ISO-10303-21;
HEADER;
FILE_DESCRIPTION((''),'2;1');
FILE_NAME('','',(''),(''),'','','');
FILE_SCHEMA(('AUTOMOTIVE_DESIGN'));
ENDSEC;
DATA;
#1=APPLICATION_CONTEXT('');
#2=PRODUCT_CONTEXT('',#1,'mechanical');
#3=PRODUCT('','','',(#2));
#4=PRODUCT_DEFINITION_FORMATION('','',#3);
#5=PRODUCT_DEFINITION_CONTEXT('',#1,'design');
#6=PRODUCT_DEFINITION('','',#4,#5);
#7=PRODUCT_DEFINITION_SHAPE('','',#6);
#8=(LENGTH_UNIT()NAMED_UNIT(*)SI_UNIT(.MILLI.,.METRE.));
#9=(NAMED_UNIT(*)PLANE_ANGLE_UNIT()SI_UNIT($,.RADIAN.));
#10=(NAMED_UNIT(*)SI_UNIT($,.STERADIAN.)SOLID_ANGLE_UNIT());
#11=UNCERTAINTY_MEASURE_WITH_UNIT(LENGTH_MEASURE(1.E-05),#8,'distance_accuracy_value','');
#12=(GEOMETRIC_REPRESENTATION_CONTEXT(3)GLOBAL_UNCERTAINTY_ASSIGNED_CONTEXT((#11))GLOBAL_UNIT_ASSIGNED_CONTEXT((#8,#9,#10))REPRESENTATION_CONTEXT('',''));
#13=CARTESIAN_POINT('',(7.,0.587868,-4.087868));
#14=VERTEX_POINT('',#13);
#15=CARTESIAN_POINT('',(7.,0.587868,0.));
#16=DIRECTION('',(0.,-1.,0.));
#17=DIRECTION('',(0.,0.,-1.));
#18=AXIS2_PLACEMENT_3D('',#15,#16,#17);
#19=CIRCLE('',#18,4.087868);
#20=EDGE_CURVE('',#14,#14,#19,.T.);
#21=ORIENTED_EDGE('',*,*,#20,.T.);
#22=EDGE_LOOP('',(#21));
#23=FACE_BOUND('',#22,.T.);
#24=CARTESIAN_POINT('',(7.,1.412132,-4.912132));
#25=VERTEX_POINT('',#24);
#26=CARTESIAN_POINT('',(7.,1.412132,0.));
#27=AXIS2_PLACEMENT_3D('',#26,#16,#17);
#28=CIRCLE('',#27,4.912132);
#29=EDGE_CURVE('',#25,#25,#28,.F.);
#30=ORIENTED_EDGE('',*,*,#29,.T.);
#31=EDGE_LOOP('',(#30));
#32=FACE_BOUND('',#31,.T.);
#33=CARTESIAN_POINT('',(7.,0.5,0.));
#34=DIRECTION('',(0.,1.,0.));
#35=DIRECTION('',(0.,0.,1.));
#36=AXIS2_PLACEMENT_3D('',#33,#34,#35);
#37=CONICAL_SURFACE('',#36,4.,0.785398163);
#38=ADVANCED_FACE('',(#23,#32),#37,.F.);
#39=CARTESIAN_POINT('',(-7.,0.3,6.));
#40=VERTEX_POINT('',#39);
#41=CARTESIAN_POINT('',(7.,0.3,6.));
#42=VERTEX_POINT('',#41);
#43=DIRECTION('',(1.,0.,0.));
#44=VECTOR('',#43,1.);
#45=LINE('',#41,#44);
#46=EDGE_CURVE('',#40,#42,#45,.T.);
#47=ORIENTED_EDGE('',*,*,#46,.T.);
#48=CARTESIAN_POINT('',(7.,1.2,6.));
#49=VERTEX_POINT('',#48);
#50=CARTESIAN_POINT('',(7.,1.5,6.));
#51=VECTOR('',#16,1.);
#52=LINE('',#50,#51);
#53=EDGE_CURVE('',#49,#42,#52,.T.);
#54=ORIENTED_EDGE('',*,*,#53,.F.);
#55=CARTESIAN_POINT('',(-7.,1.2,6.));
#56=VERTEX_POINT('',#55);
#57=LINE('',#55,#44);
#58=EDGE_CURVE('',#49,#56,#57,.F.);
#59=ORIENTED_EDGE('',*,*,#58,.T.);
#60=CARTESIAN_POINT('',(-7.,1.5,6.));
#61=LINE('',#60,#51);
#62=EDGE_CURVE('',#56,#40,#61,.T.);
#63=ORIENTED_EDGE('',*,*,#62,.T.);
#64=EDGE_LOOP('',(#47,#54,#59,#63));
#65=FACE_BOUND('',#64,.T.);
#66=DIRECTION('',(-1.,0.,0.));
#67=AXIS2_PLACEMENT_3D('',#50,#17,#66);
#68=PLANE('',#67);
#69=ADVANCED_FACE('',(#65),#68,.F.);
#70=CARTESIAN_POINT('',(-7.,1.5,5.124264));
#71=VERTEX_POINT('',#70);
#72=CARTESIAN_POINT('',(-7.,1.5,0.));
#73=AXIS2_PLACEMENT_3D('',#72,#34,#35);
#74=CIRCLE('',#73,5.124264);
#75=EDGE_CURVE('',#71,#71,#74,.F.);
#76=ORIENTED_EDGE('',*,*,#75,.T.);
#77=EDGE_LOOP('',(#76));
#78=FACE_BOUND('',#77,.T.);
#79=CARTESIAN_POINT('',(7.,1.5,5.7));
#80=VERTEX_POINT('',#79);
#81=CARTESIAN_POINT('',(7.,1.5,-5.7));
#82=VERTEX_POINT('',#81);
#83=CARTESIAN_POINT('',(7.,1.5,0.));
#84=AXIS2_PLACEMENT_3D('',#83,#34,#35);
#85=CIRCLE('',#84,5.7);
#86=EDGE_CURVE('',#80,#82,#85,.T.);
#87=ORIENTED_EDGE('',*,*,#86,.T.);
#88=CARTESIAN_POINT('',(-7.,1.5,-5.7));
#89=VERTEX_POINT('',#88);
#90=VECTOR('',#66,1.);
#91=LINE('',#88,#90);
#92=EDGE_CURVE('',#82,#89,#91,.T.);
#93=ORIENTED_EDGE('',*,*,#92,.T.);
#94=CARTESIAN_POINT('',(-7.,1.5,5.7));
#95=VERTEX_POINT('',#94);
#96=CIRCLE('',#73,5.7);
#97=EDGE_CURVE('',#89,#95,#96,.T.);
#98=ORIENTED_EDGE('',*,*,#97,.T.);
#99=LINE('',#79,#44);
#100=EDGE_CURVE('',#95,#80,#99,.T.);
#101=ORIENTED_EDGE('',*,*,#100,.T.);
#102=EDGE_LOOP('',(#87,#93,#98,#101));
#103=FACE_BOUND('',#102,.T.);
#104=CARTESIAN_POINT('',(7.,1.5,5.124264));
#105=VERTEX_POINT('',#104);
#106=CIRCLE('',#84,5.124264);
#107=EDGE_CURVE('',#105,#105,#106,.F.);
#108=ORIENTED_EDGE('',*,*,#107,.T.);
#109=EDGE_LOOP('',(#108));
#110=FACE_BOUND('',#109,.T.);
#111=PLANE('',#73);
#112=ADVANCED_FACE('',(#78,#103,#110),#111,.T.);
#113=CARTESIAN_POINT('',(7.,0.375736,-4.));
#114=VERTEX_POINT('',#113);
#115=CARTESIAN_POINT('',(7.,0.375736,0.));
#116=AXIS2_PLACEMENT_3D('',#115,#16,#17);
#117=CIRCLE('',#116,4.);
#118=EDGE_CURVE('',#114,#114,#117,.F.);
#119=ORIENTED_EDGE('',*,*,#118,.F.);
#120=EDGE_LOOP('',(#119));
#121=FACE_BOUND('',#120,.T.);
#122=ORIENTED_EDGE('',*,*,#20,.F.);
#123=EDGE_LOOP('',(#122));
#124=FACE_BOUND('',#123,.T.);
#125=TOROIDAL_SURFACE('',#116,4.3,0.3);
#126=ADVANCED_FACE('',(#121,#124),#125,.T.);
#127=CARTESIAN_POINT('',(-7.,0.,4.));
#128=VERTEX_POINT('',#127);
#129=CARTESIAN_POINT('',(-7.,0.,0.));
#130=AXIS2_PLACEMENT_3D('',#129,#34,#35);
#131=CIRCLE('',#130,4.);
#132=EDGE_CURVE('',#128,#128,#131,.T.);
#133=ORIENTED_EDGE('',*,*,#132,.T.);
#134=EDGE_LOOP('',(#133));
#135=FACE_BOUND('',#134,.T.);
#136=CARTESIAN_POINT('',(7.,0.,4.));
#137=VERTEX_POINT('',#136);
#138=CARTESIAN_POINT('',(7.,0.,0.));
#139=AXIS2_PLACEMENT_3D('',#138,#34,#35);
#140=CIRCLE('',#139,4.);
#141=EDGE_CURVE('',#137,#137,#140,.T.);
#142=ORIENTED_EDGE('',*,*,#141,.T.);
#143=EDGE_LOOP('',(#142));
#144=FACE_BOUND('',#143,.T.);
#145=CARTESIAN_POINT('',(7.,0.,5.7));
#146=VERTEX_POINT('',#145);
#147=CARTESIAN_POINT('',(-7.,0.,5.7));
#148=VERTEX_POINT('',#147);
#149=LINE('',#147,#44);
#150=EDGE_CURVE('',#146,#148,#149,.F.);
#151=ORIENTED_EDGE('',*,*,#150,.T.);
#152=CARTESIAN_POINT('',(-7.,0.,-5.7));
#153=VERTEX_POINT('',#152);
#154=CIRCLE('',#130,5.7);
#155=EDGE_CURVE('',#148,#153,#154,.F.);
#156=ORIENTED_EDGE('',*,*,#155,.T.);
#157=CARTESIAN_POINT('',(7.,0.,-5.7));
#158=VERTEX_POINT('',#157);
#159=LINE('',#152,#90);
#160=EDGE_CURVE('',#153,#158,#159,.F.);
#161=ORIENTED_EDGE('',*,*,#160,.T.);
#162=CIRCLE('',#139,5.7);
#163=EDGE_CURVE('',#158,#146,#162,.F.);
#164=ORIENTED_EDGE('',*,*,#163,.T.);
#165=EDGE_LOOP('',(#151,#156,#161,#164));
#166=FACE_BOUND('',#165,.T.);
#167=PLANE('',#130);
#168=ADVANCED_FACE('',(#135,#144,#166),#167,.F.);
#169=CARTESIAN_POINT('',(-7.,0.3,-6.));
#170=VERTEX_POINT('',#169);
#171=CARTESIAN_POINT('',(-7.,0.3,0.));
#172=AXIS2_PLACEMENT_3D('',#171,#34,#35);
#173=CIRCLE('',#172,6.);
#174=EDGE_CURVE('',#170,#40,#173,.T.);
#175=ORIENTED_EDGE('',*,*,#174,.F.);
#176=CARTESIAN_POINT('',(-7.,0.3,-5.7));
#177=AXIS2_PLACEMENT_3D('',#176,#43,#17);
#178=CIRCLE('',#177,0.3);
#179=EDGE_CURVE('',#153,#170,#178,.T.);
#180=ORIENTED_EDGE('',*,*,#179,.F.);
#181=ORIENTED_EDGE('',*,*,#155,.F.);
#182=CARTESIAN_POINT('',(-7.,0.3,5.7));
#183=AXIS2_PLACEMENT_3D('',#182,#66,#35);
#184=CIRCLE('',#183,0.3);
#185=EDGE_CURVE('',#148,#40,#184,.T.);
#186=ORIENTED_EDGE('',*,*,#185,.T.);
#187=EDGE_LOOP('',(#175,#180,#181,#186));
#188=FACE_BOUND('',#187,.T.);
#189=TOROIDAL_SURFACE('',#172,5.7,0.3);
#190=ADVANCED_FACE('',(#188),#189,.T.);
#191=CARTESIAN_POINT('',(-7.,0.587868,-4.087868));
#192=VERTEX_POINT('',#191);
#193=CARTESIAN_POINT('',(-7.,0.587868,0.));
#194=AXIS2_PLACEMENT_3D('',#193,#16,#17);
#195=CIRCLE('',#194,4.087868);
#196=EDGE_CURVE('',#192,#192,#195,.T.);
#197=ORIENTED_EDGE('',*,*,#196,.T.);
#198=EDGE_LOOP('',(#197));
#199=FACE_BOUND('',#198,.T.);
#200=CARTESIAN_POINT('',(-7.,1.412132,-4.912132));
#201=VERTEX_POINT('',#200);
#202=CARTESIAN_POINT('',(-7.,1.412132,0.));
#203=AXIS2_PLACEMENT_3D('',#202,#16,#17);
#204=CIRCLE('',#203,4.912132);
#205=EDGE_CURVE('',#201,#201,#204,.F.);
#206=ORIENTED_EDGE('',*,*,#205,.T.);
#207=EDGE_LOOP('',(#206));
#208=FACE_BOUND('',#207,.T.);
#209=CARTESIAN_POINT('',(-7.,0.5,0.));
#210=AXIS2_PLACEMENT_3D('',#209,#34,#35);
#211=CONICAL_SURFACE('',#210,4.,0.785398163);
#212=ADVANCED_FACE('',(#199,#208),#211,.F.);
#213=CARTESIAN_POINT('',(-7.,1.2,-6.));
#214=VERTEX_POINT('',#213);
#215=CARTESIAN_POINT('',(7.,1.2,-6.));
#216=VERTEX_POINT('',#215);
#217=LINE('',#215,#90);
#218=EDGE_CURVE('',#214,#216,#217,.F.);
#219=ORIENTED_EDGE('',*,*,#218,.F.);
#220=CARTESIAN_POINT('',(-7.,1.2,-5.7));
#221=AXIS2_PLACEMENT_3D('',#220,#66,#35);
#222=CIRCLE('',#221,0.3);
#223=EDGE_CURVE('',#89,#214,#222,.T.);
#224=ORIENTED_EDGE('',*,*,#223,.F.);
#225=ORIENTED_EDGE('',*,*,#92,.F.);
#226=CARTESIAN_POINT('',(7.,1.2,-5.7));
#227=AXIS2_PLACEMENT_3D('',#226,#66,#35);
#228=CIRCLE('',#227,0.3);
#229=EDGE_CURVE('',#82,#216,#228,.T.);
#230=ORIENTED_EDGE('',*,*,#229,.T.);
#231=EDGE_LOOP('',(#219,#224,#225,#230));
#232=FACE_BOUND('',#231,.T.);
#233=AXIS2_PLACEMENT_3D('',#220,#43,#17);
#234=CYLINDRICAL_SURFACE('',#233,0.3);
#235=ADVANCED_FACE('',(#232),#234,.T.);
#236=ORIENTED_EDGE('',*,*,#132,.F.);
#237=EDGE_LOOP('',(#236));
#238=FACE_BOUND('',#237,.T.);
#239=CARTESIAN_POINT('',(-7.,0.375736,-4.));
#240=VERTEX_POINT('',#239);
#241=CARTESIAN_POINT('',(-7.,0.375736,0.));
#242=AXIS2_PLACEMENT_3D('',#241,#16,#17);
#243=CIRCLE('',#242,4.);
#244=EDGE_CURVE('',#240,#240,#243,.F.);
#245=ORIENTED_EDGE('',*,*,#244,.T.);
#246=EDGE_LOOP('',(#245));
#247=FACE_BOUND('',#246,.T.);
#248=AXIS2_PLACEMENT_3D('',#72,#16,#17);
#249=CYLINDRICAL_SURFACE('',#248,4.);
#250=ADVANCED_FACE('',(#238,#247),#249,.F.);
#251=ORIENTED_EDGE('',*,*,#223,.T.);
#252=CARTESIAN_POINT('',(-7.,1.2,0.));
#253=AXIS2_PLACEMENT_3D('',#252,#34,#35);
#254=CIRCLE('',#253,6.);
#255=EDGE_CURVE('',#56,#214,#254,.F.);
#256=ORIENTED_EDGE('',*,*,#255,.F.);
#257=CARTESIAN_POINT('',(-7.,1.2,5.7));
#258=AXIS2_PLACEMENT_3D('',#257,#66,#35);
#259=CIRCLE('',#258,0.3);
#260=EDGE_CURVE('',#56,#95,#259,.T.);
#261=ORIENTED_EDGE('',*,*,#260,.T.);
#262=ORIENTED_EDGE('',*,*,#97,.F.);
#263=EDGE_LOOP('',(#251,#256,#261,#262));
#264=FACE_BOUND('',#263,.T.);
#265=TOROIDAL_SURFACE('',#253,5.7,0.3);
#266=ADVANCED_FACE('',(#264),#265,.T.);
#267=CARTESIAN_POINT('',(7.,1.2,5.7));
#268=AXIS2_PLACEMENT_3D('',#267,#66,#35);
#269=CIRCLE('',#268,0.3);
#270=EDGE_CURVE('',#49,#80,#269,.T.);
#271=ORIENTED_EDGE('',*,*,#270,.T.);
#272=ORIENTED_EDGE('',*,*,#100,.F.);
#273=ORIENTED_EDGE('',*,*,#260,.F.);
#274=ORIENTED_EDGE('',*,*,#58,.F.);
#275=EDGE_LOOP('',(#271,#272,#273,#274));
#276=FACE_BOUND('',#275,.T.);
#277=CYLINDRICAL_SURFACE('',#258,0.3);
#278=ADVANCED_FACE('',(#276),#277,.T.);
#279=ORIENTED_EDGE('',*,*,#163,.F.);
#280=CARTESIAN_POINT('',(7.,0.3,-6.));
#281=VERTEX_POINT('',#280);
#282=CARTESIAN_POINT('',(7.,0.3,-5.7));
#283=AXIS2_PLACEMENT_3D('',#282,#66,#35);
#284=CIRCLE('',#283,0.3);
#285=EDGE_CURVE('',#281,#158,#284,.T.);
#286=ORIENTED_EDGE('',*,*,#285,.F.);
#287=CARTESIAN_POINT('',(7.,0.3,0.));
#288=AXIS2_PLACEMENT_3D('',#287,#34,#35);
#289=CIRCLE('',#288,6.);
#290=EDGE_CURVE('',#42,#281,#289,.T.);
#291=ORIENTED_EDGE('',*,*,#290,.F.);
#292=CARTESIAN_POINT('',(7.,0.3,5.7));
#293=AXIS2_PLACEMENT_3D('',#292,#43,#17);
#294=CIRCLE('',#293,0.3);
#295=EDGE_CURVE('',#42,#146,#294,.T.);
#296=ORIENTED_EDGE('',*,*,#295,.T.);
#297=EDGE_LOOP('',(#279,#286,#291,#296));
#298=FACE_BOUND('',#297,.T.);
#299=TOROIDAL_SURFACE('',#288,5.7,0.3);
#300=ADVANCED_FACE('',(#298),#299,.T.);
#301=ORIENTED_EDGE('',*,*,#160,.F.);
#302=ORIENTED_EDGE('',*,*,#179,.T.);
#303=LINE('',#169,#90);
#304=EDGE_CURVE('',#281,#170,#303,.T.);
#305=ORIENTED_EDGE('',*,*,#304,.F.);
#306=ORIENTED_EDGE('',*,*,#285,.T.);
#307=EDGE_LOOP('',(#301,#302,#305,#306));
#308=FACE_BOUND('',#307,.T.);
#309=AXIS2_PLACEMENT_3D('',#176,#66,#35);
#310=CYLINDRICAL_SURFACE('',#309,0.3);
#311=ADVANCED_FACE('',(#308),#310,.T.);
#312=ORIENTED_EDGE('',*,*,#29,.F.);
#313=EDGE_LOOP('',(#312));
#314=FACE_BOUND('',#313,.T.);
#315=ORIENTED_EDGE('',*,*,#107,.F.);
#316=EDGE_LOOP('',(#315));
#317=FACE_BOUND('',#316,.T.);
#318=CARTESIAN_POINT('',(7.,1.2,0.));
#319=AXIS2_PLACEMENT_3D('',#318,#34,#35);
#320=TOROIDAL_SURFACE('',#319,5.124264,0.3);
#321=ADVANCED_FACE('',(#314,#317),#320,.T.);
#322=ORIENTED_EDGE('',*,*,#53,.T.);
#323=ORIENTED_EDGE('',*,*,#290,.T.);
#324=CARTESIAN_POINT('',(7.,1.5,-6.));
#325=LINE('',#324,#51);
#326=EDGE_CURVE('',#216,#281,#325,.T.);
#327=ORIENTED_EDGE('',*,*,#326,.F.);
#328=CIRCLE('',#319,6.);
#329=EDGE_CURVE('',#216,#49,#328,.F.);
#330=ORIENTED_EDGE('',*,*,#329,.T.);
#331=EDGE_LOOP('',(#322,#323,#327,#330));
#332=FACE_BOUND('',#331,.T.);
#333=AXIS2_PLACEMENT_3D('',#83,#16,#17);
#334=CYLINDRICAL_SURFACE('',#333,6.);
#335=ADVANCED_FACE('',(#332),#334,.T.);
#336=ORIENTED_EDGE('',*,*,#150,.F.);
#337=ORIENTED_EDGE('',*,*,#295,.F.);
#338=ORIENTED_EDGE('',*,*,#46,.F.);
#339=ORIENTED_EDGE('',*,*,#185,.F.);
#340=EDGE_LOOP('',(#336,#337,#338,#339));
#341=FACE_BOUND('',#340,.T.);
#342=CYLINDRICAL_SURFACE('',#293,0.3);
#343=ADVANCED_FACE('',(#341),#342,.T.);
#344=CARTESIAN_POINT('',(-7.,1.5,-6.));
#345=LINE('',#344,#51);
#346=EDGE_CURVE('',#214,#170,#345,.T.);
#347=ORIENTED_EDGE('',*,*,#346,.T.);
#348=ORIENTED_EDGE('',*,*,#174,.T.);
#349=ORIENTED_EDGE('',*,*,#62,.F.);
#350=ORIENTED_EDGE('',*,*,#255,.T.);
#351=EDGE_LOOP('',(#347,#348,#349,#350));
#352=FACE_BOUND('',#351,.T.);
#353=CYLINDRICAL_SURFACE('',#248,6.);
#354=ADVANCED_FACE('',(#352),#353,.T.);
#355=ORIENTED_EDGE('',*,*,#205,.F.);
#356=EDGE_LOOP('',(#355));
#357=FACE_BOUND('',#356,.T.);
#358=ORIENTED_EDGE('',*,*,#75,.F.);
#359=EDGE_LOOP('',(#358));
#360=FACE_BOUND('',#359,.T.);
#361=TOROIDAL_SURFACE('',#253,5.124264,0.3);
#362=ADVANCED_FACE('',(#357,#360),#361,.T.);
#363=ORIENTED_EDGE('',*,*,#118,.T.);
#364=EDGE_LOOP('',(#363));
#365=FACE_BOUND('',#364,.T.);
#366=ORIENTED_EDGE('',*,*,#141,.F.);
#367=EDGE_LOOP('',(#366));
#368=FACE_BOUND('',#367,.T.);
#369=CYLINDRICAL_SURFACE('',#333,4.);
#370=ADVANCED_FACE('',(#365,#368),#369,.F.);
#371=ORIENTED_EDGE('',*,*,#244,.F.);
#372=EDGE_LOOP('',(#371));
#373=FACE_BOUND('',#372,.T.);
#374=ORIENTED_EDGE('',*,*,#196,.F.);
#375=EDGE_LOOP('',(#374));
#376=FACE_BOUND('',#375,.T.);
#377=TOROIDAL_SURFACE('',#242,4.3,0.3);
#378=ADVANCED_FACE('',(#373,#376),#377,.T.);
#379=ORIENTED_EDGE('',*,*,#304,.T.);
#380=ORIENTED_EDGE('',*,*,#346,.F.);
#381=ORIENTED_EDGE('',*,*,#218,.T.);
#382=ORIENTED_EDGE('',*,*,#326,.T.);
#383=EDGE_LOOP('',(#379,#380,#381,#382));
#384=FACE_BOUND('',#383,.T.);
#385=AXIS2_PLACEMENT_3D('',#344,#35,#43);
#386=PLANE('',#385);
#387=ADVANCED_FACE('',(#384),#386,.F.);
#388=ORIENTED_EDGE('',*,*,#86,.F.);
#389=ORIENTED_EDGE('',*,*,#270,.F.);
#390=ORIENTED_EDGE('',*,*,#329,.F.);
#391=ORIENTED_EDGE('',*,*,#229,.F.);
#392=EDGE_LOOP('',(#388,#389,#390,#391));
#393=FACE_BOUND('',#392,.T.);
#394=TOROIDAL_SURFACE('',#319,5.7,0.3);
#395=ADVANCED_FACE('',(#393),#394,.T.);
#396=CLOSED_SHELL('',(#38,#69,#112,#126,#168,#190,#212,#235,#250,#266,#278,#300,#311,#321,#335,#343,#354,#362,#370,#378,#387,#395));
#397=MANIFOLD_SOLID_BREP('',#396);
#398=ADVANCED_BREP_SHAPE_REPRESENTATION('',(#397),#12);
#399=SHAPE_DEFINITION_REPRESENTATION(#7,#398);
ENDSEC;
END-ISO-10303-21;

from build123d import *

# Parameters (mm, degrees)
BOSS_EXTRUDE1_DEPTH = 1.5
SKETCH2_R           = 4
CUT_EXTRUDE2_DEPTH  = 2.5
CHAMFER1_SIZE       = 1
FILLET1_R           = 0.3


with BuildPart() as part:
    # Sketch1 → Boss-Extrude1 (new body)
    with BuildSketch(Plane(origin=(0, 0, 0), x_dir=(1, 0, 0), z_dir=(0, 1, 0))):
        with BuildLine():
            Line((-7, 6), (7, 6))
            ThreePointArc((7, 6), (13, 0), (7, -6))
            Line((7, -6), (-7, -6))
            ThreePointArc((-7, -6), (-13, 0), (-7, 6))
        make_face()
    extrude(amount=BOSS_EXTRUDE1_DEPTH)

    # Sketch2 → Cut-Extrude2 (cut, through all)
    with BuildSketch(Plane(origin=(0, 0, 0), x_dir=(1, 0, 0), z_dir=(0, 1, 0))):
        with Locations(Location((-7, 0, 0), (0, 0, 270))):  # turned: the seam where the file's is
            Circle(SKETCH2_R)
        with Locations(Location((7, 0, 0), (0, 0, 270))):  # turned: the seam where the file's is
            Circle(SKETCH2_R)
    extrude(amount=CUT_EXTRUDE2_DEPTH, mode=Mode.SUBTRACT)

    # Chamfer1
    chamfer1_edges = [part.edges().sort_by_distance(p)[0] for p in [
        (-7, 1.5, -4),
        (7, 1.5, -4),
    ]]
    chamfer(chamfer1_edges, length=CHAMFER1_SIZE)

    # Fillet1
    fillet1_edges = [part.edges().sort_by_distance(p)[0] for p in [
        (13, 1.5, 0),
        (0, 1.5, -6),
        (-7, 0.5, -4),
        (7, 1.5, -5),
        (-7, 1.5, -5),
        (7, 0.5, -4),
        (-13, 1.5, 0),
        (0, 0, -6),
        (13, 0, 0),
        (0, 0, 6),
        (-13, 0, 0),
        (0, 1.5, 6),
    ]]
    fillet(fillet1_edges, radius=FILLET1_R)


solid = part.part
